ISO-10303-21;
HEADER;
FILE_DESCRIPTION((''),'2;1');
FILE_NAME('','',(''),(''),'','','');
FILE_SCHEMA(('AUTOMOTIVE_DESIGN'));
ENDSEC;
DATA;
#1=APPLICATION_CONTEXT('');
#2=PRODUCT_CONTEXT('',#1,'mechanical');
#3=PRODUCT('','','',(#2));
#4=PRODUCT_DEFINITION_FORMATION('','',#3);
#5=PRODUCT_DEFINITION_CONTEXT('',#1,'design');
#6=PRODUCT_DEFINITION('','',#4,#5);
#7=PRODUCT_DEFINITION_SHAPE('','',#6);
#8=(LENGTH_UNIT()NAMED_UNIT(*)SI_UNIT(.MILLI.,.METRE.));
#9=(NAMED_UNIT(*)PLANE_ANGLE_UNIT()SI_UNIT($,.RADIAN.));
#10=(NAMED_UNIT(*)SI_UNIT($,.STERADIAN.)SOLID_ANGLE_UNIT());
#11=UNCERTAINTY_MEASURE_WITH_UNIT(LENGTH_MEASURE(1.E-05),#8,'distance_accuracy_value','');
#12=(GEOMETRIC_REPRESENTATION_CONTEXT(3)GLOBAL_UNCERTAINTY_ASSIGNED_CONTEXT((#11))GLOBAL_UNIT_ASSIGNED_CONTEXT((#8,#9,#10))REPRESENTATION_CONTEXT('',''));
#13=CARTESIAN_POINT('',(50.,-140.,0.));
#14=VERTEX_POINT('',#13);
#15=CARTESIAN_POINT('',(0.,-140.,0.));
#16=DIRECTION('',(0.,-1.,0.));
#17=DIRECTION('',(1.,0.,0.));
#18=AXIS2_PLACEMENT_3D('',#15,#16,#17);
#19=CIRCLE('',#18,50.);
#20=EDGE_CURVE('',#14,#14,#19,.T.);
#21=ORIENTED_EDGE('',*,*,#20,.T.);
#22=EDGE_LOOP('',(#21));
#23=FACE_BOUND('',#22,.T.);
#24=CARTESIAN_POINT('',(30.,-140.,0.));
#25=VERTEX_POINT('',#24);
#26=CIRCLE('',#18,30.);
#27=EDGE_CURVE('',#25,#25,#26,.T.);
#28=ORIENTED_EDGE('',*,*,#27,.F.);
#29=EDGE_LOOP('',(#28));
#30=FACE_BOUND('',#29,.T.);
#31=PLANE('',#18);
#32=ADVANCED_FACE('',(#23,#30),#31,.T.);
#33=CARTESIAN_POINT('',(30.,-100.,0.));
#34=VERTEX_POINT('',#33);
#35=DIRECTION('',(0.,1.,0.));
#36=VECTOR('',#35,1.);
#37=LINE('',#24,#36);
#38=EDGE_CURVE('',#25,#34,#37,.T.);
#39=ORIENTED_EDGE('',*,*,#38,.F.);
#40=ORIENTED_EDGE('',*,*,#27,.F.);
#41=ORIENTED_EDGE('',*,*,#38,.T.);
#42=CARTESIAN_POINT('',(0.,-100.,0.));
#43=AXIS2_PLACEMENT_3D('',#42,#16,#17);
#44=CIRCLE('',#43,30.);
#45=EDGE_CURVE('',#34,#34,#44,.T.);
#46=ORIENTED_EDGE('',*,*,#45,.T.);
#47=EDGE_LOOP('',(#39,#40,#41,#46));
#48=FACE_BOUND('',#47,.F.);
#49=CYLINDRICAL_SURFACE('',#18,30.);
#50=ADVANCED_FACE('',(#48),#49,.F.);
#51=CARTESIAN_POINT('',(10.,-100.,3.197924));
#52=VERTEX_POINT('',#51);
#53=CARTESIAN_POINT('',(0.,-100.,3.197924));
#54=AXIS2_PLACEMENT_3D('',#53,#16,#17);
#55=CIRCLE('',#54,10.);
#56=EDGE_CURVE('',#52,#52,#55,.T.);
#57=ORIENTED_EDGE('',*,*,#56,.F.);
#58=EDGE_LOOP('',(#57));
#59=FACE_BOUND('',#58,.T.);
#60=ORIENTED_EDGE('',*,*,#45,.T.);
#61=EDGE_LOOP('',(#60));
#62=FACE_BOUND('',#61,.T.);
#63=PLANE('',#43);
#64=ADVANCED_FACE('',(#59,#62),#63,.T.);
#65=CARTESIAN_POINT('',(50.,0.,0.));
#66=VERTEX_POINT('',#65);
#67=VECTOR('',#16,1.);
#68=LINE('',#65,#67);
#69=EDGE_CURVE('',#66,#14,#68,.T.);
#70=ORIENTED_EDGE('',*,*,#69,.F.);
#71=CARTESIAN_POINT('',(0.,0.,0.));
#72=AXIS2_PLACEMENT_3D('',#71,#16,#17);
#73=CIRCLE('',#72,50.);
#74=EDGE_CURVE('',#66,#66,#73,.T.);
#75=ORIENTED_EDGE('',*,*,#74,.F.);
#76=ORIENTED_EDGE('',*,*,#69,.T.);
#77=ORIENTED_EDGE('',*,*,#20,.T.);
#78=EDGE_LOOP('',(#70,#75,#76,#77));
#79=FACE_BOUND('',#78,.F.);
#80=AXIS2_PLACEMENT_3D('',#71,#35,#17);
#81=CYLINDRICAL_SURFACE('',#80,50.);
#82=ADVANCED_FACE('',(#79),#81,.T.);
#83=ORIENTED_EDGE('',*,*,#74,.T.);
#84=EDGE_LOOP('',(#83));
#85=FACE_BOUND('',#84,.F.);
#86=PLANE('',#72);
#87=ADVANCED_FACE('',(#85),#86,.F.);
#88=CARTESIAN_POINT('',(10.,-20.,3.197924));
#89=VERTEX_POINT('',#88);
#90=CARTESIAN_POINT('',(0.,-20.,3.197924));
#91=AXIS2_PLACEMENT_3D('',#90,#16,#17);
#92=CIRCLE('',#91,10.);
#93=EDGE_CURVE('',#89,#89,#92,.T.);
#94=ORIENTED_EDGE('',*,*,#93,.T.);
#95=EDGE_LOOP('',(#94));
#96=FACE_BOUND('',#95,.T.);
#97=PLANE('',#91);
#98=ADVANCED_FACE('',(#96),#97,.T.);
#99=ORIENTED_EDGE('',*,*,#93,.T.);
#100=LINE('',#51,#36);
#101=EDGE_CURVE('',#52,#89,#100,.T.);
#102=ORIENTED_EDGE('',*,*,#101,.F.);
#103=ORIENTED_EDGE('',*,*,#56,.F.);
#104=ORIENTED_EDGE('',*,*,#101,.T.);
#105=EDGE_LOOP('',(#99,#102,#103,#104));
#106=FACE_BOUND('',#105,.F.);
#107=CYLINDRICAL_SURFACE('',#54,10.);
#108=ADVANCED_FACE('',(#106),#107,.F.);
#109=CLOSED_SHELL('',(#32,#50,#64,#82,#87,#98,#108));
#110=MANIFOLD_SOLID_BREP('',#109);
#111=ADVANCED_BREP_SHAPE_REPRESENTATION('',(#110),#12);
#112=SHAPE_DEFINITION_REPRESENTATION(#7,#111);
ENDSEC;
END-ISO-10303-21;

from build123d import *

# Parameters (mm, degrees)
F0_R     = 50
F1_DEPTH = 140
F2_R     = 30
F3_DEPTH = 40
F4_R     = 10
F5_DEPTH = 80


with BuildPart() as f1:
    # F0 (on Front) → F1 (new body)
    with BuildSketch(Plane.XZ):
        Circle(F0_R)
    extrude(amount=F1_DEPTH)

    # F2 (on face) → F3 (cut)
    with BuildSketch(Plane.XZ.offset(140)):
        Circle(F2_R)
    extrude(amount=-F3_DEPTH, mode=Mode.SUBTRACT)

    # F4 (on face) → F5 (cut)
    with BuildSketch(Plane.XZ.offset(100)):
        with Locations((0, 3.197924)):
            Circle(F4_R)
    extrude(amount=-F5_DEPTH, mode=Mode.SUBTRACT)


solid = f1.part
